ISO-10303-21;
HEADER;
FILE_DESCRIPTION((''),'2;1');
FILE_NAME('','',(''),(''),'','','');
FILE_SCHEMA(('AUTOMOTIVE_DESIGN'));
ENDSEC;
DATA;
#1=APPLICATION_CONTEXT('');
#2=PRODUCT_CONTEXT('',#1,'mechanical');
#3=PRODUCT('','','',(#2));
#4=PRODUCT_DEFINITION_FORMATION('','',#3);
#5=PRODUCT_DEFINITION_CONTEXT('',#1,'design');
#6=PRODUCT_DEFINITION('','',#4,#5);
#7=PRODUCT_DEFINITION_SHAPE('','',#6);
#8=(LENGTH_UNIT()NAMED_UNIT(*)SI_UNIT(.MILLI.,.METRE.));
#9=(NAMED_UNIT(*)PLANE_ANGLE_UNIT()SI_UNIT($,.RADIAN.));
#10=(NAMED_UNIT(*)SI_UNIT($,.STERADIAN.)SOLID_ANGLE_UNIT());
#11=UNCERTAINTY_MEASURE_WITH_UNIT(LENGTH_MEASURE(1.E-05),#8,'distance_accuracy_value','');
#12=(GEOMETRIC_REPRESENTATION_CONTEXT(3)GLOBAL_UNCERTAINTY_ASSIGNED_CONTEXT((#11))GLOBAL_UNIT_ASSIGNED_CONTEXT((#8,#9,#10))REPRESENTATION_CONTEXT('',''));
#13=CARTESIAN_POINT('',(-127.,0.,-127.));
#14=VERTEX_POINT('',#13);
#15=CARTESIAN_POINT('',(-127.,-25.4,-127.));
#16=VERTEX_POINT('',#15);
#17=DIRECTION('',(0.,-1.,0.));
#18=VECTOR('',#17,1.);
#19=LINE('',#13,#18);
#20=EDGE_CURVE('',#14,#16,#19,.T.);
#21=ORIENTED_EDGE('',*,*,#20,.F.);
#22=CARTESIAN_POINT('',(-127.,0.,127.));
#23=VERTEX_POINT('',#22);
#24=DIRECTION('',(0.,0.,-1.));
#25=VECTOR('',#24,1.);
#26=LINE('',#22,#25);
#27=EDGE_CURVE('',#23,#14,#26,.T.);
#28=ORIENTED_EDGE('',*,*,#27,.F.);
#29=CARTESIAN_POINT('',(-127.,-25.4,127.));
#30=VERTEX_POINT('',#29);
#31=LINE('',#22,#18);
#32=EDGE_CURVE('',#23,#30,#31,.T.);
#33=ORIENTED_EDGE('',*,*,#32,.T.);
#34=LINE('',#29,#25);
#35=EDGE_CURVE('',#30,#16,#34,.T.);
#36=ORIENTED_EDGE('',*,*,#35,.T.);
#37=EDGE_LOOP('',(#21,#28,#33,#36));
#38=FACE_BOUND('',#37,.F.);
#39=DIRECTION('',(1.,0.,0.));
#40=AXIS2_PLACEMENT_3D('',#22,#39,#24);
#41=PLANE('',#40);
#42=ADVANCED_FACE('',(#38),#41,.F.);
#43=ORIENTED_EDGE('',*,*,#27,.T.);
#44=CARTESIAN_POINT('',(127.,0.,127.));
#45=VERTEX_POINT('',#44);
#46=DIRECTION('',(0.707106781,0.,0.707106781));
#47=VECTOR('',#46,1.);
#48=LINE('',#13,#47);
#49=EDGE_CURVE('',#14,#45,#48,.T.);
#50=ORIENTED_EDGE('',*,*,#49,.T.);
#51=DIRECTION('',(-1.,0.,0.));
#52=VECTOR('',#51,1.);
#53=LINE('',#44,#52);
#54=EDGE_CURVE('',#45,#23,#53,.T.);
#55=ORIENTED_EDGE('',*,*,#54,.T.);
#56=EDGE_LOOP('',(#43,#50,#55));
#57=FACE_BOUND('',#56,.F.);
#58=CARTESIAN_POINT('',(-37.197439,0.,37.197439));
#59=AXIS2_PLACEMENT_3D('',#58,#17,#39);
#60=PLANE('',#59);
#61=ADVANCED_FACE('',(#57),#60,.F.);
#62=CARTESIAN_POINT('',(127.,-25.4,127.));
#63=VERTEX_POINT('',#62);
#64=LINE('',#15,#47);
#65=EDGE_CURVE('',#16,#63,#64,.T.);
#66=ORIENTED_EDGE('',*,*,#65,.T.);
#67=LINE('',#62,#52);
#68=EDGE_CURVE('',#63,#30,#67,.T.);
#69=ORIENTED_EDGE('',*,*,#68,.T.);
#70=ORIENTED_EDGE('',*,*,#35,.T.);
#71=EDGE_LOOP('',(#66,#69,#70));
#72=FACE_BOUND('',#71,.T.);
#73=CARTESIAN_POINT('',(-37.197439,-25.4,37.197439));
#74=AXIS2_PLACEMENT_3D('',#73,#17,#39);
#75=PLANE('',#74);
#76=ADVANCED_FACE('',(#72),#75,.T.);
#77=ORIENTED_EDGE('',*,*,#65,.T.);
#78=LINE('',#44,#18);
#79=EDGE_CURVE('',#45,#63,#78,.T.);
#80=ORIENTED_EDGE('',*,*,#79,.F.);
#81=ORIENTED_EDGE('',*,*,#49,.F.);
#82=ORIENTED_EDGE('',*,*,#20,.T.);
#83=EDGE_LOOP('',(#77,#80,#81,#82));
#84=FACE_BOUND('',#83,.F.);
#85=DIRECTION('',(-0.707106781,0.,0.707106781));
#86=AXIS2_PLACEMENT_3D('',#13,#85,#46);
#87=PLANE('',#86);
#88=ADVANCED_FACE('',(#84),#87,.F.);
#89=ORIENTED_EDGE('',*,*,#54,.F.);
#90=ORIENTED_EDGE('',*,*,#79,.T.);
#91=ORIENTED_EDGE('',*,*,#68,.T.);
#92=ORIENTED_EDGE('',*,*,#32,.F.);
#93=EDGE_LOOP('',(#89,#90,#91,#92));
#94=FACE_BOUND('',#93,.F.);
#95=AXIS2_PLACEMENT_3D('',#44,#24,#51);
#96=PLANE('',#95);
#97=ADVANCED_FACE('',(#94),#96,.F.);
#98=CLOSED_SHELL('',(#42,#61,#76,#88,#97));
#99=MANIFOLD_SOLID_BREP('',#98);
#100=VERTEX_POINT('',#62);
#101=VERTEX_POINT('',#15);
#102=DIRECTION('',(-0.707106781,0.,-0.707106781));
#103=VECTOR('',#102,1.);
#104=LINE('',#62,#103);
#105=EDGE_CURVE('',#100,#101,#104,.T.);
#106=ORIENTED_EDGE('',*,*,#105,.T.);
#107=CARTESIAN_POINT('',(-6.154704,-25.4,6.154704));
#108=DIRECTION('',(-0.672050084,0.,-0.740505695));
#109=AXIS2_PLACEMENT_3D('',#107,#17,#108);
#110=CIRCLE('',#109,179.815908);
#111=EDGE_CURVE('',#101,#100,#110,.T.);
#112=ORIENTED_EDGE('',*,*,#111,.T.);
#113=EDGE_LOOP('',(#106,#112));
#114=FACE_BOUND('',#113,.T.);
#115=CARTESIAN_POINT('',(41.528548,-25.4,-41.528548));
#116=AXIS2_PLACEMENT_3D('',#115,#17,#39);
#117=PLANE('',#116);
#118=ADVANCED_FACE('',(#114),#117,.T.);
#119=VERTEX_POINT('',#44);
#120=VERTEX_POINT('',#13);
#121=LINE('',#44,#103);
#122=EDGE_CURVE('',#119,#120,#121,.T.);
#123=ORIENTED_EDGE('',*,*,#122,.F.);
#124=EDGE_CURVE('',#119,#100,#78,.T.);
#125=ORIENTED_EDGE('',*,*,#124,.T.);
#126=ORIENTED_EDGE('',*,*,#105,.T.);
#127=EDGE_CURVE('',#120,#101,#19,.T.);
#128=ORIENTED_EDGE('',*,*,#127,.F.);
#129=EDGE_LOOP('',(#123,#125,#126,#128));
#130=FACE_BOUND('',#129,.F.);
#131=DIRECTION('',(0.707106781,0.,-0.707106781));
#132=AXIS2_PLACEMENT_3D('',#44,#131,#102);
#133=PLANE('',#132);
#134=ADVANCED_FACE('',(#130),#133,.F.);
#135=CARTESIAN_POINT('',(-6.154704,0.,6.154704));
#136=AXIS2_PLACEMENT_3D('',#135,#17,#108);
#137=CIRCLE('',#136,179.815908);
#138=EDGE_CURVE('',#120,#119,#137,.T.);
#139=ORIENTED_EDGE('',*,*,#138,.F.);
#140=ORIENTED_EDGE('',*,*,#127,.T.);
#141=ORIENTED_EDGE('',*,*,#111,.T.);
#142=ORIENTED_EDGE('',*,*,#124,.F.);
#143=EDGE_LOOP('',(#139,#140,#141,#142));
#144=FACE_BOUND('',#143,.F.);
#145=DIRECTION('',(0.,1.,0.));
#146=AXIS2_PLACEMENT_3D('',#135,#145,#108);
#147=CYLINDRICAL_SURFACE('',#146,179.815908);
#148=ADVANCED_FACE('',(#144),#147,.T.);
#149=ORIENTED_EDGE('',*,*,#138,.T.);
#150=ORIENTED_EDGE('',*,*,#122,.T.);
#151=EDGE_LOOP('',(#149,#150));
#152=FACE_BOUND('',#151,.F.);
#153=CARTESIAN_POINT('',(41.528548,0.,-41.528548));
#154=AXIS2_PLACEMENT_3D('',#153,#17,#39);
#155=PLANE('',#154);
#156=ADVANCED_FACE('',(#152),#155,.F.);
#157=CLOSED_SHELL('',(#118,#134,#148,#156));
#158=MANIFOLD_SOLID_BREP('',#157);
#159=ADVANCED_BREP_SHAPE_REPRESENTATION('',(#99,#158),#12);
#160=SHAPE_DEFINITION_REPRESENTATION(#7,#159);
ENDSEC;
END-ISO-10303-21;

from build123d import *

# Parameters (mm, degrees)
F1_DEPTH = 25.4
F2_DEPTH = 25.4


with BuildPart() as f1:
    # F0 (on Front) → F1 (new body)
    with BuildSketch(Plane.XZ):
        Polygon((-127, -127), (127, 127), (-127, 127), align=None)
    extrude(amount=F1_DEPTH)


with BuildPart() as f2:
    # F0 (on Front) → F2 (new body)
    with BuildSketch(Plane.XZ):
        with BuildLine():
            ThreePointArc((-127, -127), (120.994344, -120.994344), (127, 127))
            Line((127, 127), (-127, -127))
        make_face()
    extrude(amount=F2_DEPTH)


solid = Compound([f1.part, f2.part])
